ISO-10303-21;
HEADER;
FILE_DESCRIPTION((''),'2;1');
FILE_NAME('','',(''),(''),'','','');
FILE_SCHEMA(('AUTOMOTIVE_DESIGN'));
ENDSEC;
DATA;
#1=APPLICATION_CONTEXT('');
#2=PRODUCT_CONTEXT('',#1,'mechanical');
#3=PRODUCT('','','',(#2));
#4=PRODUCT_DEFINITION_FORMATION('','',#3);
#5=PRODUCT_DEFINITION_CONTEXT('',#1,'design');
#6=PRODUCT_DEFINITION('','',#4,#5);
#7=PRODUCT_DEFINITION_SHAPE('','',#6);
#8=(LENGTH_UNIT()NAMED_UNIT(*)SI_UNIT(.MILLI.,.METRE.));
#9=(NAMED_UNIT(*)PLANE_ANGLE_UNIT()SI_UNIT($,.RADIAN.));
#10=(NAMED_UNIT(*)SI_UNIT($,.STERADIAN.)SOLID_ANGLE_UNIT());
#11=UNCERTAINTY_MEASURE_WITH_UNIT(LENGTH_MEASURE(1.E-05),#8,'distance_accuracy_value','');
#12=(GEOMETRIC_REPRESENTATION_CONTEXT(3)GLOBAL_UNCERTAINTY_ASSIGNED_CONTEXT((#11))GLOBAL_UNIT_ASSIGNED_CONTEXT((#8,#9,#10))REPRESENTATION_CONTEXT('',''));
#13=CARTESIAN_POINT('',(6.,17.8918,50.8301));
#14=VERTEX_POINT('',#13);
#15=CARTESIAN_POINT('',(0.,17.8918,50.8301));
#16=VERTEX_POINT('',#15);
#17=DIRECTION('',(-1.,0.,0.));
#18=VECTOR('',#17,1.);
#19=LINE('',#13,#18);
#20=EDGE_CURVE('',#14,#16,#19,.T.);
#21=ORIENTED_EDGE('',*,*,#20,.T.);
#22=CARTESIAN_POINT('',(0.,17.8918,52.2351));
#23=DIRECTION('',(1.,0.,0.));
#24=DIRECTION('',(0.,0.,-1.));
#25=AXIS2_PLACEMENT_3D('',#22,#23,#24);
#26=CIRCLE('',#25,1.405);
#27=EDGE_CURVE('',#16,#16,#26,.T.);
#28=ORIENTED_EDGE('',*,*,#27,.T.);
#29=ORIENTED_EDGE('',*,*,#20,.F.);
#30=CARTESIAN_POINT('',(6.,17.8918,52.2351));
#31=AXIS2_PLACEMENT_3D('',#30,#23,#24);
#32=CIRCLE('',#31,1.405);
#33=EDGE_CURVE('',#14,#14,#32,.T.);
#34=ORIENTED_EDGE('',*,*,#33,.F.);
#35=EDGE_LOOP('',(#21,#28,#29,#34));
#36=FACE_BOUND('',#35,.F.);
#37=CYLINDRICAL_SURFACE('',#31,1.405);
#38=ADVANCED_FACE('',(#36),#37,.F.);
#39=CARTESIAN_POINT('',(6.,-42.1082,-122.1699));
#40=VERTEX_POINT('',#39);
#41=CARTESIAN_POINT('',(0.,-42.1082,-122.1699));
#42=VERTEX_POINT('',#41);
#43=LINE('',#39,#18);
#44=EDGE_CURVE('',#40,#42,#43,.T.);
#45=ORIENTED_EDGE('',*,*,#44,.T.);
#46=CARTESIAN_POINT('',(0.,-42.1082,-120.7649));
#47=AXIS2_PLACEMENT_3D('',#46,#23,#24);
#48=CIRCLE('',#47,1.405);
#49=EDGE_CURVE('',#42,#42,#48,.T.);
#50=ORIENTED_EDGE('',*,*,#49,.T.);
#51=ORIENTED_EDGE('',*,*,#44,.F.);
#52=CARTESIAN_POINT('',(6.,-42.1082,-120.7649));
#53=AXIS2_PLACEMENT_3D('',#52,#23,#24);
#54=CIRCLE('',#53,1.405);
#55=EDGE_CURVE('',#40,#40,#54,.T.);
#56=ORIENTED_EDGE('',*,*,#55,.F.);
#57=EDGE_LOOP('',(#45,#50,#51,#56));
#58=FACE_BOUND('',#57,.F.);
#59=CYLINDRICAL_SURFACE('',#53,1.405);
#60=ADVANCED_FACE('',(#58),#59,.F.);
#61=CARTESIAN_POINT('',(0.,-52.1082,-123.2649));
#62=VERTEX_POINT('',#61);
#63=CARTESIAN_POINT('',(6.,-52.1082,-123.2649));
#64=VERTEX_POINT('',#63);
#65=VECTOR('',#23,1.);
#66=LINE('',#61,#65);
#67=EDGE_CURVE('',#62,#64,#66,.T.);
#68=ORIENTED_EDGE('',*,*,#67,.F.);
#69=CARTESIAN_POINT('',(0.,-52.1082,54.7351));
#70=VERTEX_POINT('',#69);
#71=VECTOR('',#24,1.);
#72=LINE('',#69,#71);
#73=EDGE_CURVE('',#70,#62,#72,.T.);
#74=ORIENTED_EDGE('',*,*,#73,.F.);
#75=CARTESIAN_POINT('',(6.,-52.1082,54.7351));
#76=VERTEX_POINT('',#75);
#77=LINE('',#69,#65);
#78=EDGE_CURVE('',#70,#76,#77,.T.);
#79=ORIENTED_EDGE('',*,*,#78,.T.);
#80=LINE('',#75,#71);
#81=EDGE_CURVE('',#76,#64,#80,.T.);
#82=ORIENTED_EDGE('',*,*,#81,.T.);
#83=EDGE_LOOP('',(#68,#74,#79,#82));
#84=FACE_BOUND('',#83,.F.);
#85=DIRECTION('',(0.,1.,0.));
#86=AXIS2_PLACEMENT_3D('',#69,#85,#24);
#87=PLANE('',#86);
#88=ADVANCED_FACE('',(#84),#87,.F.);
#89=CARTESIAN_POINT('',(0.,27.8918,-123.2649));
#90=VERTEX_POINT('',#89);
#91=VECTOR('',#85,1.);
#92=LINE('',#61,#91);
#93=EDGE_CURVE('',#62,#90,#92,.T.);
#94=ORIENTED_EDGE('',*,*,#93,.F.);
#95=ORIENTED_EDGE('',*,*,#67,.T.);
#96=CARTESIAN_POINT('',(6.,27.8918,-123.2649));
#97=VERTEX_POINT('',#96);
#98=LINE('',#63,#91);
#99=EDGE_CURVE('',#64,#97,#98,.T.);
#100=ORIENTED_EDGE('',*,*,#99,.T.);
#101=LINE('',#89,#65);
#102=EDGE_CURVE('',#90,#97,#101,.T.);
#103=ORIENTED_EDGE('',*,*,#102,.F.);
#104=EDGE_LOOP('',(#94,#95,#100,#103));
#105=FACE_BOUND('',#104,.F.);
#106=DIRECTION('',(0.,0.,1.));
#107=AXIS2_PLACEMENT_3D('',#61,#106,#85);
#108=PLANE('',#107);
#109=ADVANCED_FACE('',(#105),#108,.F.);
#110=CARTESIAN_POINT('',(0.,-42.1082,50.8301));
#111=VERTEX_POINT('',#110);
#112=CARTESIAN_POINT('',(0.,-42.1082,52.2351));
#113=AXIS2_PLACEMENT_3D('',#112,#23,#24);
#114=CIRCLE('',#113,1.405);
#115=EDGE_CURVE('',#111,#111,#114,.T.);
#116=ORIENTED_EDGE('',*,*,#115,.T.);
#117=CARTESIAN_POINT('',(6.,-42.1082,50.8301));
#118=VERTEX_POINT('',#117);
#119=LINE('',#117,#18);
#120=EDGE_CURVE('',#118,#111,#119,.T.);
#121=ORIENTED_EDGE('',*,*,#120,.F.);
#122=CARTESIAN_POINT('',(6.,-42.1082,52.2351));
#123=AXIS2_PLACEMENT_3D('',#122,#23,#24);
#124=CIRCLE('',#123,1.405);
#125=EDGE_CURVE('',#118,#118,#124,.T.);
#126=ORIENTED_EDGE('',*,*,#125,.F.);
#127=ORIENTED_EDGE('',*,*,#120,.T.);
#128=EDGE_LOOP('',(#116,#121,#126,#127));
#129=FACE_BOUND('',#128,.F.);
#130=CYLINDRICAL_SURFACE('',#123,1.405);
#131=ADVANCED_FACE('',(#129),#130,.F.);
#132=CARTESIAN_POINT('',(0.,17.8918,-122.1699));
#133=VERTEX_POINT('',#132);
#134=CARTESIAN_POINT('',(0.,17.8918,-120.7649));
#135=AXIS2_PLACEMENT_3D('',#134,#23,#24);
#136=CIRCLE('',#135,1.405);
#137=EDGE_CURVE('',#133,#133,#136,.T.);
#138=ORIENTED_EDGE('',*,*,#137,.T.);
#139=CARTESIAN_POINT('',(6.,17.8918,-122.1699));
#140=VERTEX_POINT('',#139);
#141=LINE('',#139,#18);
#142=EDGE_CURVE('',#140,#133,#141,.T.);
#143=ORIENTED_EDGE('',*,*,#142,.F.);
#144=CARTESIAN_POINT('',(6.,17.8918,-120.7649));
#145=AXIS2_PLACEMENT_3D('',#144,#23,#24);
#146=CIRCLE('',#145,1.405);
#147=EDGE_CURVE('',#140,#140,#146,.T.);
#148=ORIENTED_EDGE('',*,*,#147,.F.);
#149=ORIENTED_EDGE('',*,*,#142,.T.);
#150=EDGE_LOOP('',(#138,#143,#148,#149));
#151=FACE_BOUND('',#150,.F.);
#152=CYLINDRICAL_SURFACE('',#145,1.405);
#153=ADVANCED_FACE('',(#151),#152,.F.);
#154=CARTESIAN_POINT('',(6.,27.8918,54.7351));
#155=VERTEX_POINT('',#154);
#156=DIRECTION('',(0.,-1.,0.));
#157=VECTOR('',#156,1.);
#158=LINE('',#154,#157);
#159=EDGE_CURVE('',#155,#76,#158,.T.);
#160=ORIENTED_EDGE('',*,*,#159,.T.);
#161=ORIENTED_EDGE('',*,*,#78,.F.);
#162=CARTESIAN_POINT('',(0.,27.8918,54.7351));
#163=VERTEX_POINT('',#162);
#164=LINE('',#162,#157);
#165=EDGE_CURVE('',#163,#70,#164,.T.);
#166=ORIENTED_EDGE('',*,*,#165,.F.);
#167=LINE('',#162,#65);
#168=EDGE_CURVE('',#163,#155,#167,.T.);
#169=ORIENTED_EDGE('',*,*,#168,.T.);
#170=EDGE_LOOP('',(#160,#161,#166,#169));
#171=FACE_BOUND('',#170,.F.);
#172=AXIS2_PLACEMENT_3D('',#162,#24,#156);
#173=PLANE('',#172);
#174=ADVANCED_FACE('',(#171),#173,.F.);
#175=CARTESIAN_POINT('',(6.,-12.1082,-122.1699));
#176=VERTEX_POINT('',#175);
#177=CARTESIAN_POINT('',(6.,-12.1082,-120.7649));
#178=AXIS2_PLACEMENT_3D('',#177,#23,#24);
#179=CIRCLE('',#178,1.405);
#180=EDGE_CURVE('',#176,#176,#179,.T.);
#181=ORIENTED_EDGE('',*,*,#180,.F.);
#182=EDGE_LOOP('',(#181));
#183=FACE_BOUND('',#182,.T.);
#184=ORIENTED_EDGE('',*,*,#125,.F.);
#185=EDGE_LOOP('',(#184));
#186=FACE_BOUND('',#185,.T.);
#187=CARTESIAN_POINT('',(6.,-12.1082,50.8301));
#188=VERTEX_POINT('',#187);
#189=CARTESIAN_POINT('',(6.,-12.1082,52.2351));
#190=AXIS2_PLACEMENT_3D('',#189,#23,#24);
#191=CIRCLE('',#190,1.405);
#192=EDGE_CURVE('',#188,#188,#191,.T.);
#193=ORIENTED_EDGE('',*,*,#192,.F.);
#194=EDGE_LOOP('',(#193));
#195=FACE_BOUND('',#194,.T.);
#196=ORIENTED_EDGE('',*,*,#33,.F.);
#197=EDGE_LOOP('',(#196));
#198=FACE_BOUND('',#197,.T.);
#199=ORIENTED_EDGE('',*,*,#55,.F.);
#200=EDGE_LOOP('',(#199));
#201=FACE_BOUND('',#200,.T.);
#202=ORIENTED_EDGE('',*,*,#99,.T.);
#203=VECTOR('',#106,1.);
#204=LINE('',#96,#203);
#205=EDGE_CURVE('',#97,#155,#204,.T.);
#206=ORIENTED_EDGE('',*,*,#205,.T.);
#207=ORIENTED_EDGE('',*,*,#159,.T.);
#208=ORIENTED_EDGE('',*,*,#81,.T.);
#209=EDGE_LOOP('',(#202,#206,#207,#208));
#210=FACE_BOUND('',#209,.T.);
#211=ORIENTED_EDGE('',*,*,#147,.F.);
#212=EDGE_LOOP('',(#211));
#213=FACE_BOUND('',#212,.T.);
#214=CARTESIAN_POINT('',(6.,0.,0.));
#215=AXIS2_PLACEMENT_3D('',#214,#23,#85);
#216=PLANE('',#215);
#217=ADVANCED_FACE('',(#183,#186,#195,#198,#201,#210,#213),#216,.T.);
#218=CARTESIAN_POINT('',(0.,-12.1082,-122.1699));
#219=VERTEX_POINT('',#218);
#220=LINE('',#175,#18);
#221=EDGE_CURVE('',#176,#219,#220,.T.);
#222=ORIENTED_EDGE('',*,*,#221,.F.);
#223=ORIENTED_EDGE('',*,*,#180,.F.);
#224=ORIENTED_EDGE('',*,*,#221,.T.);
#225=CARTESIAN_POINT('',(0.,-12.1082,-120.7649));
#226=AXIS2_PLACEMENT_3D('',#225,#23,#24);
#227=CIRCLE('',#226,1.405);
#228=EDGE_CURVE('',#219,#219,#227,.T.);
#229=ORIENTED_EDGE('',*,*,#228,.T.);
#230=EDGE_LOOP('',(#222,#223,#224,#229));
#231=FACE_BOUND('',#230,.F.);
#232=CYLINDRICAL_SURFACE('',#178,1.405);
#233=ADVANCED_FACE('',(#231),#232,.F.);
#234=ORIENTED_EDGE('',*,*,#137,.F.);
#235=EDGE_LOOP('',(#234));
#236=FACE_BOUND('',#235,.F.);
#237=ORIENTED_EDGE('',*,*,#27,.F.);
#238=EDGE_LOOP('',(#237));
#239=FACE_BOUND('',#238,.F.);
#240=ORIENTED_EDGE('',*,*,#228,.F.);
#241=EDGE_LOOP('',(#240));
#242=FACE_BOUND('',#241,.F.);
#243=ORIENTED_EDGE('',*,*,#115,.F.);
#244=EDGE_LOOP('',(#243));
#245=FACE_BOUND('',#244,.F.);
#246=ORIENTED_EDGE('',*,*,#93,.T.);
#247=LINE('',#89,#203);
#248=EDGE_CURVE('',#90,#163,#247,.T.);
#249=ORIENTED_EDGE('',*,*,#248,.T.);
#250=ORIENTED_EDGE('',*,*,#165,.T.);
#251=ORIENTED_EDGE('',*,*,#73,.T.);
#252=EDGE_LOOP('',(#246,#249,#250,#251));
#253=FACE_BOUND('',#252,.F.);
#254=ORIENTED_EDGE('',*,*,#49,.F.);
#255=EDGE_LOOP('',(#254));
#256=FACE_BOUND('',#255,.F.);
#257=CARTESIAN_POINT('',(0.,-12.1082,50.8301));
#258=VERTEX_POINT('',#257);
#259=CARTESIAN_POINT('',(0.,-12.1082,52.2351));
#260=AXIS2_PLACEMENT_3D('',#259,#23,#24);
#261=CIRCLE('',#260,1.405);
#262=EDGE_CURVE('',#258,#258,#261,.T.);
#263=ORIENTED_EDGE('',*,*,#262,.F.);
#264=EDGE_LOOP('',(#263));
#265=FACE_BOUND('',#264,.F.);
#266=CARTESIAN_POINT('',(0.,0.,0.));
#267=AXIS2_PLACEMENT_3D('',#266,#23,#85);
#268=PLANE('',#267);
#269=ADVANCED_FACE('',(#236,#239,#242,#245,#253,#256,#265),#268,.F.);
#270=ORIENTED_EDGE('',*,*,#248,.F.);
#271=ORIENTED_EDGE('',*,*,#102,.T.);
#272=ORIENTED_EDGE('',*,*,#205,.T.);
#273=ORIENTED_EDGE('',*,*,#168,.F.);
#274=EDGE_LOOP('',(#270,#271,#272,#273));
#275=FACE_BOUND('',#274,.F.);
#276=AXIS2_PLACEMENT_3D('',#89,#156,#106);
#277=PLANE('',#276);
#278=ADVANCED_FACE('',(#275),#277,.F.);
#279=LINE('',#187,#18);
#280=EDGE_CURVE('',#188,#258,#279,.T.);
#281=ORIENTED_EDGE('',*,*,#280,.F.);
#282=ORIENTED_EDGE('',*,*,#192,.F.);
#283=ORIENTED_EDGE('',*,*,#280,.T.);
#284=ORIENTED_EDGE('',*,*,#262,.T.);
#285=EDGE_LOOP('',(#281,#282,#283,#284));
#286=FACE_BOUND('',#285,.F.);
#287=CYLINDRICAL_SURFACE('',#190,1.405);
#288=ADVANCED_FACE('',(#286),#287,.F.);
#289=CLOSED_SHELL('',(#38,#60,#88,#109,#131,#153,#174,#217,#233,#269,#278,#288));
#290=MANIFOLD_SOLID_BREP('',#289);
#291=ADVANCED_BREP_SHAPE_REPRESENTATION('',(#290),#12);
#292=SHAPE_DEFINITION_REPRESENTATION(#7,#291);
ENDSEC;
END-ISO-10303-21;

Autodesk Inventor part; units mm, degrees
ref_plane "YZ Plane" through (0, 0, 0) normal (1, 0, 0) x (0, 1, 0)
ref_plane "XZ Plane" through (0, 0, 0) normal (0, 1, 0) x (-1, 0, 0)
ref_plane "XY Plane" through (0, 0, 0) normal (0, 0, 1) x (1, 0, 0)
sketch "Sketch1" plane through (0, 0, 0) normal (1, 0, 0) x (0, 1, 0)
  line L0 (-52.1082, -123.2649) -> (27.8918, -123.2649)
  line L1 (27.8918, -123.2649) -> (27.8918, 54.7351)
  line L2 (27.8918, 54.7351) -> (-52.1082, 54.7351)
  line L3 (-52.1082, 54.7351) -> (-52.1082, -123.2649)
  point P0 (0, 0)
  dimension "d0" = 178
  dimension "d1" = 80
extrude "Extrusion1" add sketch "Sketch1" along normal blind 6
sketch "Sketch2" plane through (6, 0, 0) normal (1, 0, 0) x (0, 0, -1)
  circle A0 centre (-52.2351, 17.8918) radius 1.405
  line L0 (-54.7351, 27.8918) -> (-54.7351, -52.1082) projected
  line L1 (123.2649, 27.8918) -> (-54.7351, 27.8918) projected
  point P0 (0, 0)
  dimension "d4" = 2.81
  dimension "d5" = 2.5
  dimension "d6" = 10
extrude "Extrusion2" cut sketch "Sketch2" against normal blind 10
pattern_linear "Rectangular Pattern1" count 3 spacing 30 along (0, -1, 0) count 2 spacing -173 along (0, 0, 1) of "Extrusion2"
equation "\"d0\" = -2 * CornerOffset + BoxWidth - 2 * SheetThickness"
equation "\"d1\" = BoxHeight"
equation "\"d2\" = SheetThickness"
equation "\"d4\" = M3Hole"
equation "\"d5\" = HoleOffset"
equation "\"BoxHeight\" = 80"
equation "\"SheetThickness\" = 6"
equation "\"CornerOffset\" = 5"
equation "\"M3Hole\" = 2.81"
equation "\"HoleOffset\" = 2.5"
equation "\"BoxWidth\" = 200"
properties part number "cab_L_L"
